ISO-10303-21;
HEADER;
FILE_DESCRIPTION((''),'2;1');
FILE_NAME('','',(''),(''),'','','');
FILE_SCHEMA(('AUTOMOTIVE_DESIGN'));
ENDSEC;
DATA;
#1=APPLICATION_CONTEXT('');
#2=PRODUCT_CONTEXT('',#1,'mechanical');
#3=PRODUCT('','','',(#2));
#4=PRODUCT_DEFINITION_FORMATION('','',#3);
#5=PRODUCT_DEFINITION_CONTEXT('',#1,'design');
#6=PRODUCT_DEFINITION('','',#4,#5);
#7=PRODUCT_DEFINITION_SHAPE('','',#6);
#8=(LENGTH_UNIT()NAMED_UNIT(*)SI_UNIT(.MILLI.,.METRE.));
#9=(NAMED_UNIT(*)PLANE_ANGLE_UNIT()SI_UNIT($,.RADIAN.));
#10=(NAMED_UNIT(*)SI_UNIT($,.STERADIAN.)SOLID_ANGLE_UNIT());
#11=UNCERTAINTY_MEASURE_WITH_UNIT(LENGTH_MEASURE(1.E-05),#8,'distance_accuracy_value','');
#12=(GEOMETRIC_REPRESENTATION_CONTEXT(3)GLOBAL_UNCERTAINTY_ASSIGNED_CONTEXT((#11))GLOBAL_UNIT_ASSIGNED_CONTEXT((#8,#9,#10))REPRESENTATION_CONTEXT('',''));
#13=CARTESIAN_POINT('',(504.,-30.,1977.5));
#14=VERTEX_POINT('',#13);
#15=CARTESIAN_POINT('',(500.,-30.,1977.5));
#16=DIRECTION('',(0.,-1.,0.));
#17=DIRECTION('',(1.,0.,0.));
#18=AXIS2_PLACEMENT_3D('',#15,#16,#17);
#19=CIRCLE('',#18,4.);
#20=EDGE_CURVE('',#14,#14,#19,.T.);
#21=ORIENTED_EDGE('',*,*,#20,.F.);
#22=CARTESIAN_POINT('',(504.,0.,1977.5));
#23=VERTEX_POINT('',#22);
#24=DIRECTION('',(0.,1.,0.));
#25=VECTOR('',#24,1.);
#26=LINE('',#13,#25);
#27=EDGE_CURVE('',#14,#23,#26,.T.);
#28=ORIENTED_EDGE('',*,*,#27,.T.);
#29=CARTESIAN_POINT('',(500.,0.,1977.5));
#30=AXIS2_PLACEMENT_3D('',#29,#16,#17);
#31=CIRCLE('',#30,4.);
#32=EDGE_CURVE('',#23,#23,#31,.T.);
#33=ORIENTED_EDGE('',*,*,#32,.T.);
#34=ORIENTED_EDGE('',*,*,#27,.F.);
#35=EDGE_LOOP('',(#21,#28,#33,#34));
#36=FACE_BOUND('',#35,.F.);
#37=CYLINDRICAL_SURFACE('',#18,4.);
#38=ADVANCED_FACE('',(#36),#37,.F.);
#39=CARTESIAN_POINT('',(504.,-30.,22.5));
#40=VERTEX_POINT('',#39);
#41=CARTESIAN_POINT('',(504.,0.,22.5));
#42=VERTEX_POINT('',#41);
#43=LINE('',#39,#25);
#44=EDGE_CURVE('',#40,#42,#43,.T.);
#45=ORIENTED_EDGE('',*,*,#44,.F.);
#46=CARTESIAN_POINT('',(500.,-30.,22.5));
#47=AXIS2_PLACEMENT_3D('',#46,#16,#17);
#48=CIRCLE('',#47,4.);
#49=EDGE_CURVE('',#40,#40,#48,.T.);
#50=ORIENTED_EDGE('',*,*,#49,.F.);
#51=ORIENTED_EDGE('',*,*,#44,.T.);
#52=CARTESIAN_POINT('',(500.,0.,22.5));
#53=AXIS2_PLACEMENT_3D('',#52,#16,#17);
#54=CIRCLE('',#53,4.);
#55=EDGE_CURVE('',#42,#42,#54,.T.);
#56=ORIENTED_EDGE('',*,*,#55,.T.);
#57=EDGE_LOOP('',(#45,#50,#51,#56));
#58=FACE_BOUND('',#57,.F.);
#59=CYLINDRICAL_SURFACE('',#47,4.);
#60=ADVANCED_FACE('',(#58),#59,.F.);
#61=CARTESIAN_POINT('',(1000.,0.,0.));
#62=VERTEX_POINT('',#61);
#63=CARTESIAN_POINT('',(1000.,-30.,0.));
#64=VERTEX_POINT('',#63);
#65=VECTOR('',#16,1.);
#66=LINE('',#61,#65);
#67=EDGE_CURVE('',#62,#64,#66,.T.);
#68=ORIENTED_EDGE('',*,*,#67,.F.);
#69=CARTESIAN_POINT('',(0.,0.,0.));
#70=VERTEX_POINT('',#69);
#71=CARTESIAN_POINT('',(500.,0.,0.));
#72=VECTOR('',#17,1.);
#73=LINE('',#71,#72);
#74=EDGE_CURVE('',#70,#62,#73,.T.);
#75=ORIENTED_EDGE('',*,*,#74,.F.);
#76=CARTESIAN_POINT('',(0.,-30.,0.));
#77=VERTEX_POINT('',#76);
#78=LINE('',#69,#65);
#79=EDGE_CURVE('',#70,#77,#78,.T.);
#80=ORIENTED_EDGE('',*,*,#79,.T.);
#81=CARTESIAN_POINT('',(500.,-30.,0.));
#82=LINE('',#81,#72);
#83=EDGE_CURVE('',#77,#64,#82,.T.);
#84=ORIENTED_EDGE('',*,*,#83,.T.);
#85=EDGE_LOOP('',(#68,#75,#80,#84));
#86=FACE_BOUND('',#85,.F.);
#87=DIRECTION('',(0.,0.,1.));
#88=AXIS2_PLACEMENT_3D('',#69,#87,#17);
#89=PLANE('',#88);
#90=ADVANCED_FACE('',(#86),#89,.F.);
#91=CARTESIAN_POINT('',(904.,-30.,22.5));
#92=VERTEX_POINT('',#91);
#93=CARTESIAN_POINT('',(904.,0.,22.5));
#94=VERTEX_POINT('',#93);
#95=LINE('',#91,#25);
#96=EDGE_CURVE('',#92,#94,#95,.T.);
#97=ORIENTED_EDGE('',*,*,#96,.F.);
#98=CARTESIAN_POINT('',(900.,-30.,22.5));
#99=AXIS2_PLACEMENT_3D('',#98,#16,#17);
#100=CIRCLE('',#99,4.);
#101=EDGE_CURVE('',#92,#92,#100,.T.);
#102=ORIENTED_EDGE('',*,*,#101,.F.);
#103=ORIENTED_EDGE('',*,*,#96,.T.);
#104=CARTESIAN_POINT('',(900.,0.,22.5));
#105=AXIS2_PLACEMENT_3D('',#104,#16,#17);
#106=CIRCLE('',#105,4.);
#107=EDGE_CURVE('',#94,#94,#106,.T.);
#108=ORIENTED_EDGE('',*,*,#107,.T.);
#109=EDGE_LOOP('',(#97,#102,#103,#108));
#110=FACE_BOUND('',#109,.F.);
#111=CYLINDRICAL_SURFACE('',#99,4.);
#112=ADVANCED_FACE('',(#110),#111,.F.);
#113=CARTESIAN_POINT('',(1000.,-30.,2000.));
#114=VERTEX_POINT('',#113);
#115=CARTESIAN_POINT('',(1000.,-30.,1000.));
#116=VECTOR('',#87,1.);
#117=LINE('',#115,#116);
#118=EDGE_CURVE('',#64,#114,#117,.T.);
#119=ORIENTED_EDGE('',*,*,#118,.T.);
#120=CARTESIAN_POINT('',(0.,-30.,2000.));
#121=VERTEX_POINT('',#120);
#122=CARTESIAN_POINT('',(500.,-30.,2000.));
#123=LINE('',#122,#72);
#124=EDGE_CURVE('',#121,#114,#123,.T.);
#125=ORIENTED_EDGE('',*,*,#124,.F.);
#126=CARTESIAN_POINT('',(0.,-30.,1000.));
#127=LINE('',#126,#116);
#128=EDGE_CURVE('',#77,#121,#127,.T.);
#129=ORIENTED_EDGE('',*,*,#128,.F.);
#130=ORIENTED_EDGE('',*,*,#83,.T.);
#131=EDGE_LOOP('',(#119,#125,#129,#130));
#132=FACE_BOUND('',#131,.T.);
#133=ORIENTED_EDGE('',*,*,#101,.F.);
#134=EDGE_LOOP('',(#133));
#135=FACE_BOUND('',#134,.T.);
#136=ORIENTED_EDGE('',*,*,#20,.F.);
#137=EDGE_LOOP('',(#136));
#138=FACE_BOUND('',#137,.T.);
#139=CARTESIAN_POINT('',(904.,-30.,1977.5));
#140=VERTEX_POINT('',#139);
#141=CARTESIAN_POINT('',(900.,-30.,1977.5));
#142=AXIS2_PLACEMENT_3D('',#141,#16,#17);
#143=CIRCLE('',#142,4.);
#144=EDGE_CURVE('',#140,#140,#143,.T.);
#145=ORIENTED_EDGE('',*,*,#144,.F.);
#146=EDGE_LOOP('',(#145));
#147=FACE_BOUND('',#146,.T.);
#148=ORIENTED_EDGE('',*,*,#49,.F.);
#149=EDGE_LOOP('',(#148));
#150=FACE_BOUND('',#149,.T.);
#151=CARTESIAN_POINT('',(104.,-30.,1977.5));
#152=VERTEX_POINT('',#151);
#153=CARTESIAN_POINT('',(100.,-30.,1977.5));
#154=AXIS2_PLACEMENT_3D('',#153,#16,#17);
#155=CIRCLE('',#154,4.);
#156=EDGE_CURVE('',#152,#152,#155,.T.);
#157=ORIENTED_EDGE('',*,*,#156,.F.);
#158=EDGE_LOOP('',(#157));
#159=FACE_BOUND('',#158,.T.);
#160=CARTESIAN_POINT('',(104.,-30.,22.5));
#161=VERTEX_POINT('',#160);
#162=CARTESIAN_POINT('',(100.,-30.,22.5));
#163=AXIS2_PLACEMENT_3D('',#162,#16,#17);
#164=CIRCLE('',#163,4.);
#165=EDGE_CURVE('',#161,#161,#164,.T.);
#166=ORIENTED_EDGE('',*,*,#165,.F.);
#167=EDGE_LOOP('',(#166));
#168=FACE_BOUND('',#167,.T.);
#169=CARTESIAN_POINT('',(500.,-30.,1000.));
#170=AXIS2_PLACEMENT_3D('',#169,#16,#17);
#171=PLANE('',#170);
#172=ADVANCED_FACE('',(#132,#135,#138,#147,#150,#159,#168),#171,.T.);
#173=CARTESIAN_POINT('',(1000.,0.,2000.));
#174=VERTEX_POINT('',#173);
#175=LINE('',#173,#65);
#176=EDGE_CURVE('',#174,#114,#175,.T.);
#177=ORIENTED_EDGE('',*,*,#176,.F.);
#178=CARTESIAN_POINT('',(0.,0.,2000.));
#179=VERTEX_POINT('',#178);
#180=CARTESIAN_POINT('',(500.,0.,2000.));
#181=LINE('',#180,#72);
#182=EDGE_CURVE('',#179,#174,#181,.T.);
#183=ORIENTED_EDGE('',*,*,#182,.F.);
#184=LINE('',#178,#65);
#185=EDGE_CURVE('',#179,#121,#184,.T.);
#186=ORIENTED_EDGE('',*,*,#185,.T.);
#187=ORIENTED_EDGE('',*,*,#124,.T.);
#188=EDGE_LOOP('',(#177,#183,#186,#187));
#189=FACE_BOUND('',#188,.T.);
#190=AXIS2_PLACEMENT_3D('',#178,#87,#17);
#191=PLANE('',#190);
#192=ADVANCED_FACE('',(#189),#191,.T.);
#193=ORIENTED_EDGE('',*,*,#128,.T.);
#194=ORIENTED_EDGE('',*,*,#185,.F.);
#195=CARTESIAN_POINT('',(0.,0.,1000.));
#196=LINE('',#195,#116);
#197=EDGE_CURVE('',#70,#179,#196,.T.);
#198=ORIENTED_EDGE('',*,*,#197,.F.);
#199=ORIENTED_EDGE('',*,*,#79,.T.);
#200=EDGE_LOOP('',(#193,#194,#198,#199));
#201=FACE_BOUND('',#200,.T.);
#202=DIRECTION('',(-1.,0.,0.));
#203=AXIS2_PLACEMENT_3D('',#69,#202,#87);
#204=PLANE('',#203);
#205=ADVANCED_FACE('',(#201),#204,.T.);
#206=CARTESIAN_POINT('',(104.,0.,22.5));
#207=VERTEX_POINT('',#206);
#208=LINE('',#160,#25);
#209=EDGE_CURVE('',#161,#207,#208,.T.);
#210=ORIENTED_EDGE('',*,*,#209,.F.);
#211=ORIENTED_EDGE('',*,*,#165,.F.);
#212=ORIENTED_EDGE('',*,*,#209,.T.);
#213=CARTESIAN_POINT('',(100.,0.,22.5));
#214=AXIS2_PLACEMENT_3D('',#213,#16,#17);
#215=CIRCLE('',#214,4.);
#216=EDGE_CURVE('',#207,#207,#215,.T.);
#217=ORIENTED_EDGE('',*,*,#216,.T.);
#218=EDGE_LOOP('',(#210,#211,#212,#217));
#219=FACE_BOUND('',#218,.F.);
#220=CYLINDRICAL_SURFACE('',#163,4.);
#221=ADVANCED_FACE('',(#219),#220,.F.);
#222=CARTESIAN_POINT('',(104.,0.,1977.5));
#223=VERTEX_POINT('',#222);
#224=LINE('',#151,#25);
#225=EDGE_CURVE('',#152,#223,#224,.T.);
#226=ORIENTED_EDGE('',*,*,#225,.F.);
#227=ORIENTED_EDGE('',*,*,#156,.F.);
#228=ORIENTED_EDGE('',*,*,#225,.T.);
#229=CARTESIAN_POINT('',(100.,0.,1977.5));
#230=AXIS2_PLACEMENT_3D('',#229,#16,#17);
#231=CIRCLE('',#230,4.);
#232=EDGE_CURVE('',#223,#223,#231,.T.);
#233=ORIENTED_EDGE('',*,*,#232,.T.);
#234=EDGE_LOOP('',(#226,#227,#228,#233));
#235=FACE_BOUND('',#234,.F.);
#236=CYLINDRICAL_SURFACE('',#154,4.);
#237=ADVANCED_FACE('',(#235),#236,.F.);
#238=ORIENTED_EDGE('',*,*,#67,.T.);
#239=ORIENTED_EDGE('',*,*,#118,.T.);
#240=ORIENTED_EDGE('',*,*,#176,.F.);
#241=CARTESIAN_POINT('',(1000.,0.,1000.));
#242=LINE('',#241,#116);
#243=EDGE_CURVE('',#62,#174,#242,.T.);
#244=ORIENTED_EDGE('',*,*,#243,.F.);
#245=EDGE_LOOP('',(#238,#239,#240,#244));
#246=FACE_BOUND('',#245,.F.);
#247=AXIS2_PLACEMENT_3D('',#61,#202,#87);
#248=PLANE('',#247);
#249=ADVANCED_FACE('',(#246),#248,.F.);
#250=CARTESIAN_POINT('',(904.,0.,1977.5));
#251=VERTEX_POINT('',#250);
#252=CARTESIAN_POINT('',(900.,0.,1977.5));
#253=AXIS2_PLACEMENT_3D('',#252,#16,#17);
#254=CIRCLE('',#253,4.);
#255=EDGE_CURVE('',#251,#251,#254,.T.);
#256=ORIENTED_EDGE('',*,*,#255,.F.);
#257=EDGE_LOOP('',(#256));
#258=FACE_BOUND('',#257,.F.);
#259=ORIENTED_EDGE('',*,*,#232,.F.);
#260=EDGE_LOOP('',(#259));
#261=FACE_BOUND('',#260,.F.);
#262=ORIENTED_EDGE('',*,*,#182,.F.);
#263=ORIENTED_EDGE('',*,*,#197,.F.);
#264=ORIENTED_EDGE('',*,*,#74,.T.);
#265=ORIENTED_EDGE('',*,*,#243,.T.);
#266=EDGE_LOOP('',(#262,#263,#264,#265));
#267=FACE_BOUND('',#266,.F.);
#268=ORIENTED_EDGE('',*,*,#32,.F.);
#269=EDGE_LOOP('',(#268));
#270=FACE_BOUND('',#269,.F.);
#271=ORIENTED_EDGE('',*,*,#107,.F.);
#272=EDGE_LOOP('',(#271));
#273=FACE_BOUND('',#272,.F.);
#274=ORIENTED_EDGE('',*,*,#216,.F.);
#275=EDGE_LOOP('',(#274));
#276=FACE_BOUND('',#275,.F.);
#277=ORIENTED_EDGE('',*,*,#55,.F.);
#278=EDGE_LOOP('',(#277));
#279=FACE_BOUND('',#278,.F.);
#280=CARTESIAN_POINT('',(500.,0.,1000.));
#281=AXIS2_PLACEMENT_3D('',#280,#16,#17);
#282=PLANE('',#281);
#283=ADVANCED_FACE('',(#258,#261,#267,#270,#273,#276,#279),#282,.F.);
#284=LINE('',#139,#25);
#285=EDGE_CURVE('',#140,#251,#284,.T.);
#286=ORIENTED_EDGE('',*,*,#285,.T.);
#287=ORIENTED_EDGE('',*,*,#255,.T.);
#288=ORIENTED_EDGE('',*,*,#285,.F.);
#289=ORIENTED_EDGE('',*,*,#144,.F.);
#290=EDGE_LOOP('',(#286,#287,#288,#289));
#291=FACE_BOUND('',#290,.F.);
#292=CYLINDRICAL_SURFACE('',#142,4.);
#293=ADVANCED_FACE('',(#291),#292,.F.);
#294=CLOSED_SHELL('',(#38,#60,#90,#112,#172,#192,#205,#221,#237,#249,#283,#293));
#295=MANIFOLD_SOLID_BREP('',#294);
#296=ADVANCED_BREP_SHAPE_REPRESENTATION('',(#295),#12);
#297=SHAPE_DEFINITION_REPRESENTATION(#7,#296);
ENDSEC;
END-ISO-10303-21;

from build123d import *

# Parameters (mm, degrees)
F0_W     = 1000
F0_H     = 2000
F1_DEPTH = 30
F2_R     = 4
F3_DEPTH = 30


with BuildPart() as f1:
    # F0 (on Front) → F1 (new body)
    with BuildSketch(Plane.XZ):
        with Locations((500, 1000)):
            Rectangle(F0_W, F0_H)
    extrude(amount=F1_DEPTH)

    # F2 (on face) → F3 (cut)
    with BuildSketch(Plane.XZ.offset(30)):
        with Locations((100, 22.5)):
            Circle(F2_R)
        with Locations((500, 22.5)):
            Circle(F2_R)
        with Locations((900, 22.5)):
            Circle(F2_R)
        with Locations((100, 1977.5)):
            Circle(F2_R)
        with Locations((500, 1977.5)):
            Circle(F2_R)
        with Locations((900, 1977.5)):
            Circle(F2_R)
    extrude(amount=-F3_DEPTH, mode=Mode.SUBTRACT)


solid = f1.part
